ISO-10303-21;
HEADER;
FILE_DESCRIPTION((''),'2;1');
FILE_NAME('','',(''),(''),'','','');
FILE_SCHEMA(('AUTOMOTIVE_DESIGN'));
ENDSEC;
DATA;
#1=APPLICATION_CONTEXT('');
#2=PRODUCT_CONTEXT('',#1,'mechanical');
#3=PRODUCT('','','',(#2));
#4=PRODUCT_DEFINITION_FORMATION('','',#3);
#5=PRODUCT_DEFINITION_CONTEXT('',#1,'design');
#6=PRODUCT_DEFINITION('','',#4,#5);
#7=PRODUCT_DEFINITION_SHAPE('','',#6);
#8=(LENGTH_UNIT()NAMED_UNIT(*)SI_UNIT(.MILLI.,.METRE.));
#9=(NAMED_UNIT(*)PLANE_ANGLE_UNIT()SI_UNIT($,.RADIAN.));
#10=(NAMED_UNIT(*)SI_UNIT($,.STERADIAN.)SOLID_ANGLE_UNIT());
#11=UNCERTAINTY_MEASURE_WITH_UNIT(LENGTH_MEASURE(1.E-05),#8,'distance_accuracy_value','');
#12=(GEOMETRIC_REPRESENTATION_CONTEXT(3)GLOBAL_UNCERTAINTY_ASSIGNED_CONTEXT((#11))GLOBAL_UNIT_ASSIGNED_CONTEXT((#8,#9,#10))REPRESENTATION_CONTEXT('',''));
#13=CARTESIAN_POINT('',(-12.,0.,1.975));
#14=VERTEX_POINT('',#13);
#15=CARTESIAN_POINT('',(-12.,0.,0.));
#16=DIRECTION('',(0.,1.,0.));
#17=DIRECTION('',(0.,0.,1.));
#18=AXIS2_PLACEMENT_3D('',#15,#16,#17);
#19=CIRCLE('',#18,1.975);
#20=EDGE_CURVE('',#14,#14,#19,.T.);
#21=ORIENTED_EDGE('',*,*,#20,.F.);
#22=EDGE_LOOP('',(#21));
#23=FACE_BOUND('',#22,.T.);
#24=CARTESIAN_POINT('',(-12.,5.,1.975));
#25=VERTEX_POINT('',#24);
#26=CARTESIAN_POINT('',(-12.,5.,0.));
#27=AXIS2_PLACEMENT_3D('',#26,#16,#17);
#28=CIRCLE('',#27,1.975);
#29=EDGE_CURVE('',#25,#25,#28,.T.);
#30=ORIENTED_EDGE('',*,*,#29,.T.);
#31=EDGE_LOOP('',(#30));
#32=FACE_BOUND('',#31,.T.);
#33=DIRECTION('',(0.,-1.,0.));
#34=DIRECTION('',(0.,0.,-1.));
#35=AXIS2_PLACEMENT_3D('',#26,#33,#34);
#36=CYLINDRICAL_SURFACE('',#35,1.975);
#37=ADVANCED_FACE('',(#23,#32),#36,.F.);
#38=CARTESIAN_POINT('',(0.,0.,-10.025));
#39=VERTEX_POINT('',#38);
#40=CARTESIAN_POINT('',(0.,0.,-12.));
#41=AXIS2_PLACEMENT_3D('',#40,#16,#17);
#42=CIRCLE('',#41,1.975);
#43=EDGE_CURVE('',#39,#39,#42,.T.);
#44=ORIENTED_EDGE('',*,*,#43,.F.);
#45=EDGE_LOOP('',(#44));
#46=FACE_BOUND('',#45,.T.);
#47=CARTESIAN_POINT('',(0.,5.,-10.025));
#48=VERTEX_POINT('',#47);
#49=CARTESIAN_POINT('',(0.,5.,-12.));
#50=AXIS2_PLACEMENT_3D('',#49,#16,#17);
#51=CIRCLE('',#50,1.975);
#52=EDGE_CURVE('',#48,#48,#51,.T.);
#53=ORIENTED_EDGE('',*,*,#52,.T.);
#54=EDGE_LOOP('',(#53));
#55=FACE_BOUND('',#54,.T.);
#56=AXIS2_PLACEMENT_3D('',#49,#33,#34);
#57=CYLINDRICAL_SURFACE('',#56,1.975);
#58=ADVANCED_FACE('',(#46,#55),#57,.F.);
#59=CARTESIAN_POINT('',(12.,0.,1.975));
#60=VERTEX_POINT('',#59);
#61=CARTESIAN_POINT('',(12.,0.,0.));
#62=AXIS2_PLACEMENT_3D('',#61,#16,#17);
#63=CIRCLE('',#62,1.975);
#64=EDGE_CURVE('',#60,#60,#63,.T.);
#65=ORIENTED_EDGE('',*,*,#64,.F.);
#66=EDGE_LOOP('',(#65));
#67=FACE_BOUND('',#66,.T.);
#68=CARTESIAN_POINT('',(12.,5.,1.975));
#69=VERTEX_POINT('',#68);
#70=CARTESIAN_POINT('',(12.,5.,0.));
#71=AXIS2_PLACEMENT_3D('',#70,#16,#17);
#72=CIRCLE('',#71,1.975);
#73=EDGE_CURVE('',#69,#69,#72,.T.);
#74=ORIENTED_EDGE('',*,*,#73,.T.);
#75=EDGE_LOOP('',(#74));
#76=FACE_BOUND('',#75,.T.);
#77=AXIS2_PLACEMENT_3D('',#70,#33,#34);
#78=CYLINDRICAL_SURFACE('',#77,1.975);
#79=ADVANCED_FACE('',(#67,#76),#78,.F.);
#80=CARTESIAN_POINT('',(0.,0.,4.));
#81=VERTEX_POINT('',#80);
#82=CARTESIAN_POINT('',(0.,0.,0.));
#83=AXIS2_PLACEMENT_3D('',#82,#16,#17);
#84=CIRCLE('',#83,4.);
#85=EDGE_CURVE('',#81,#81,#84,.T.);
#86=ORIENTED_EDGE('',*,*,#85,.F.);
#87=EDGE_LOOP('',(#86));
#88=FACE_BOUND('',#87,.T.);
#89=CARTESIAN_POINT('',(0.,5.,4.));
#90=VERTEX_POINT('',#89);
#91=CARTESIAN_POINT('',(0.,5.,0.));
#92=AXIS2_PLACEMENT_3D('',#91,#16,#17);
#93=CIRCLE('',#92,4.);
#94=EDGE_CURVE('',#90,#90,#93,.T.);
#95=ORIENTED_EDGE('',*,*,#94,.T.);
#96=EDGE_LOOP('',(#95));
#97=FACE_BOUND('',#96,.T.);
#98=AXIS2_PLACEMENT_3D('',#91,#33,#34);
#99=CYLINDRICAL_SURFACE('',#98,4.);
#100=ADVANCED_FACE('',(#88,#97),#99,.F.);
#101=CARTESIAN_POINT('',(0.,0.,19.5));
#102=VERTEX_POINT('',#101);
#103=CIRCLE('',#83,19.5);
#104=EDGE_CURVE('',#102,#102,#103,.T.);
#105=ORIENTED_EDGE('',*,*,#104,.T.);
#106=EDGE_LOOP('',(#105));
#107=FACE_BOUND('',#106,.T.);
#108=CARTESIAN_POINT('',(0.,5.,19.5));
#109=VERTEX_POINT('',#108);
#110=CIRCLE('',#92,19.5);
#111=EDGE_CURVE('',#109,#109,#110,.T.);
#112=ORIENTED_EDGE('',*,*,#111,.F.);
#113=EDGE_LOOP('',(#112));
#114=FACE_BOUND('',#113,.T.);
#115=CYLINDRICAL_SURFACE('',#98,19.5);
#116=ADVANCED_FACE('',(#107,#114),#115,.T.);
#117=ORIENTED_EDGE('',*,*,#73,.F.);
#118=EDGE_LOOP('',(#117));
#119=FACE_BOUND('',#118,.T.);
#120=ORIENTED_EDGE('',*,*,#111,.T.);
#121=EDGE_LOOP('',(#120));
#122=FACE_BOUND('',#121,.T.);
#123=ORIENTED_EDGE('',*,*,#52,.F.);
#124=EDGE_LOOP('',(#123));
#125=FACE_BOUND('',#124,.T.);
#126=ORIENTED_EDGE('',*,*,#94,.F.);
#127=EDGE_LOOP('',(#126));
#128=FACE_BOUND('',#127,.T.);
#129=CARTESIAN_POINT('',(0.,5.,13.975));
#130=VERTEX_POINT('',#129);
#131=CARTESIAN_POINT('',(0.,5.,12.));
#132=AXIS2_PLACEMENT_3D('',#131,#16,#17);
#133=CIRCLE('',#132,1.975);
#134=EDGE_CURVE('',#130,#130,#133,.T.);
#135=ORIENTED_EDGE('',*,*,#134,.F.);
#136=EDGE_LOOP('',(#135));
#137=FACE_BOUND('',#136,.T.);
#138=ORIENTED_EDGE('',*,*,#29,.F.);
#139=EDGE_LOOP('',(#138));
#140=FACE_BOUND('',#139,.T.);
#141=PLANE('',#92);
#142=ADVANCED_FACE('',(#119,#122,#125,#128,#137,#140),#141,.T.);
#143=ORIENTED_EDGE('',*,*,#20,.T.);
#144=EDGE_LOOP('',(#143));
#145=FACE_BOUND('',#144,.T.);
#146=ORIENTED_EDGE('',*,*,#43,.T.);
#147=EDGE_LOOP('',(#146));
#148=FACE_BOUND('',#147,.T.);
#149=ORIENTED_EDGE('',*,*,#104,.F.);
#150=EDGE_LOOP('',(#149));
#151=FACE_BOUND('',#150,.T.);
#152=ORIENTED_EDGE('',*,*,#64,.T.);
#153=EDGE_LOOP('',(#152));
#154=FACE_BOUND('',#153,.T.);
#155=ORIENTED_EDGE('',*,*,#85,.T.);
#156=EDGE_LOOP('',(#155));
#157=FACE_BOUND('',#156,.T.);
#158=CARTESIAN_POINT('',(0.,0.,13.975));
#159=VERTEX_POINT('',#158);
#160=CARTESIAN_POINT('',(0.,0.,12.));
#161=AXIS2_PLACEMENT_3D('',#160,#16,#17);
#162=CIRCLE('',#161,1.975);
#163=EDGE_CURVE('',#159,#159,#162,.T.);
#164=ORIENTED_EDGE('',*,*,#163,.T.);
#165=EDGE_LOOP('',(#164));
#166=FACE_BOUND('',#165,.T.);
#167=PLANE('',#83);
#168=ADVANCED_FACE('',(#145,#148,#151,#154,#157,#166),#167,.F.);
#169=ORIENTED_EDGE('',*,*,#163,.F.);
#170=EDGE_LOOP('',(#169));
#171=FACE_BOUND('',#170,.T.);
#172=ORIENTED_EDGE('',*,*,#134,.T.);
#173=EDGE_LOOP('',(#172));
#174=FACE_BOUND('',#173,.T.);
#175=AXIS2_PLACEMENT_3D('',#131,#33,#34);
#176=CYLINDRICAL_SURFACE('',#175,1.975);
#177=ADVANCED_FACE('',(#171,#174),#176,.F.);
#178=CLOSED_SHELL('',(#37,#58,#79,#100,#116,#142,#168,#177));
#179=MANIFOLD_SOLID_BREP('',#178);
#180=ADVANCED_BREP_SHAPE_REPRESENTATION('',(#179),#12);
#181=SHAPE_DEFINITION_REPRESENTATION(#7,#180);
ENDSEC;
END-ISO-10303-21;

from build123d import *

# Parameters (mm, degrees)
SKETCH1_R           = 19.5
SKETCH1_R_2         = 4
SKETCH1_R_3         = 1.975
BOSS_EXTRUDE1_DEPTH = 5


with BuildPart() as part:
    # Sketch1 → Boss-Extrude1 (new body)
    with BuildSketch(Plane(origin=(0, 0, 0), x_dir=(1, 0, 0), z_dir=(0, 1, 0))):
        with Locations(Location((0, 0, 0), (0, 0, 270))):
            Circle(SKETCH1_R)
        with Locations(Location((0, 0, 0), (0, 0, 270))):
            Circle(SKETCH1_R_2, mode=Mode.SUBTRACT)
        with Locations(Location((0, 12, 0), (0, 0, 270))):
            Circle(SKETCH1_R_3, mode=Mode.SUBTRACT)
        with Locations(Location((12, 0, 0), (0, 0, 270))):
            Circle(SKETCH1_R_3, mode=Mode.SUBTRACT)
        with Locations(Location((0, -12, 0), (0, 0, 270))):
            Circle(SKETCH1_R_3, mode=Mode.SUBTRACT)
        with Locations(Location((-12, 0, 0), (0, 0, 270))):
            Circle(SKETCH1_R_3, mode=Mode.SUBTRACT)
    extrude(amount=BOSS_EXTRUDE1_DEPTH)


solid = part.part
